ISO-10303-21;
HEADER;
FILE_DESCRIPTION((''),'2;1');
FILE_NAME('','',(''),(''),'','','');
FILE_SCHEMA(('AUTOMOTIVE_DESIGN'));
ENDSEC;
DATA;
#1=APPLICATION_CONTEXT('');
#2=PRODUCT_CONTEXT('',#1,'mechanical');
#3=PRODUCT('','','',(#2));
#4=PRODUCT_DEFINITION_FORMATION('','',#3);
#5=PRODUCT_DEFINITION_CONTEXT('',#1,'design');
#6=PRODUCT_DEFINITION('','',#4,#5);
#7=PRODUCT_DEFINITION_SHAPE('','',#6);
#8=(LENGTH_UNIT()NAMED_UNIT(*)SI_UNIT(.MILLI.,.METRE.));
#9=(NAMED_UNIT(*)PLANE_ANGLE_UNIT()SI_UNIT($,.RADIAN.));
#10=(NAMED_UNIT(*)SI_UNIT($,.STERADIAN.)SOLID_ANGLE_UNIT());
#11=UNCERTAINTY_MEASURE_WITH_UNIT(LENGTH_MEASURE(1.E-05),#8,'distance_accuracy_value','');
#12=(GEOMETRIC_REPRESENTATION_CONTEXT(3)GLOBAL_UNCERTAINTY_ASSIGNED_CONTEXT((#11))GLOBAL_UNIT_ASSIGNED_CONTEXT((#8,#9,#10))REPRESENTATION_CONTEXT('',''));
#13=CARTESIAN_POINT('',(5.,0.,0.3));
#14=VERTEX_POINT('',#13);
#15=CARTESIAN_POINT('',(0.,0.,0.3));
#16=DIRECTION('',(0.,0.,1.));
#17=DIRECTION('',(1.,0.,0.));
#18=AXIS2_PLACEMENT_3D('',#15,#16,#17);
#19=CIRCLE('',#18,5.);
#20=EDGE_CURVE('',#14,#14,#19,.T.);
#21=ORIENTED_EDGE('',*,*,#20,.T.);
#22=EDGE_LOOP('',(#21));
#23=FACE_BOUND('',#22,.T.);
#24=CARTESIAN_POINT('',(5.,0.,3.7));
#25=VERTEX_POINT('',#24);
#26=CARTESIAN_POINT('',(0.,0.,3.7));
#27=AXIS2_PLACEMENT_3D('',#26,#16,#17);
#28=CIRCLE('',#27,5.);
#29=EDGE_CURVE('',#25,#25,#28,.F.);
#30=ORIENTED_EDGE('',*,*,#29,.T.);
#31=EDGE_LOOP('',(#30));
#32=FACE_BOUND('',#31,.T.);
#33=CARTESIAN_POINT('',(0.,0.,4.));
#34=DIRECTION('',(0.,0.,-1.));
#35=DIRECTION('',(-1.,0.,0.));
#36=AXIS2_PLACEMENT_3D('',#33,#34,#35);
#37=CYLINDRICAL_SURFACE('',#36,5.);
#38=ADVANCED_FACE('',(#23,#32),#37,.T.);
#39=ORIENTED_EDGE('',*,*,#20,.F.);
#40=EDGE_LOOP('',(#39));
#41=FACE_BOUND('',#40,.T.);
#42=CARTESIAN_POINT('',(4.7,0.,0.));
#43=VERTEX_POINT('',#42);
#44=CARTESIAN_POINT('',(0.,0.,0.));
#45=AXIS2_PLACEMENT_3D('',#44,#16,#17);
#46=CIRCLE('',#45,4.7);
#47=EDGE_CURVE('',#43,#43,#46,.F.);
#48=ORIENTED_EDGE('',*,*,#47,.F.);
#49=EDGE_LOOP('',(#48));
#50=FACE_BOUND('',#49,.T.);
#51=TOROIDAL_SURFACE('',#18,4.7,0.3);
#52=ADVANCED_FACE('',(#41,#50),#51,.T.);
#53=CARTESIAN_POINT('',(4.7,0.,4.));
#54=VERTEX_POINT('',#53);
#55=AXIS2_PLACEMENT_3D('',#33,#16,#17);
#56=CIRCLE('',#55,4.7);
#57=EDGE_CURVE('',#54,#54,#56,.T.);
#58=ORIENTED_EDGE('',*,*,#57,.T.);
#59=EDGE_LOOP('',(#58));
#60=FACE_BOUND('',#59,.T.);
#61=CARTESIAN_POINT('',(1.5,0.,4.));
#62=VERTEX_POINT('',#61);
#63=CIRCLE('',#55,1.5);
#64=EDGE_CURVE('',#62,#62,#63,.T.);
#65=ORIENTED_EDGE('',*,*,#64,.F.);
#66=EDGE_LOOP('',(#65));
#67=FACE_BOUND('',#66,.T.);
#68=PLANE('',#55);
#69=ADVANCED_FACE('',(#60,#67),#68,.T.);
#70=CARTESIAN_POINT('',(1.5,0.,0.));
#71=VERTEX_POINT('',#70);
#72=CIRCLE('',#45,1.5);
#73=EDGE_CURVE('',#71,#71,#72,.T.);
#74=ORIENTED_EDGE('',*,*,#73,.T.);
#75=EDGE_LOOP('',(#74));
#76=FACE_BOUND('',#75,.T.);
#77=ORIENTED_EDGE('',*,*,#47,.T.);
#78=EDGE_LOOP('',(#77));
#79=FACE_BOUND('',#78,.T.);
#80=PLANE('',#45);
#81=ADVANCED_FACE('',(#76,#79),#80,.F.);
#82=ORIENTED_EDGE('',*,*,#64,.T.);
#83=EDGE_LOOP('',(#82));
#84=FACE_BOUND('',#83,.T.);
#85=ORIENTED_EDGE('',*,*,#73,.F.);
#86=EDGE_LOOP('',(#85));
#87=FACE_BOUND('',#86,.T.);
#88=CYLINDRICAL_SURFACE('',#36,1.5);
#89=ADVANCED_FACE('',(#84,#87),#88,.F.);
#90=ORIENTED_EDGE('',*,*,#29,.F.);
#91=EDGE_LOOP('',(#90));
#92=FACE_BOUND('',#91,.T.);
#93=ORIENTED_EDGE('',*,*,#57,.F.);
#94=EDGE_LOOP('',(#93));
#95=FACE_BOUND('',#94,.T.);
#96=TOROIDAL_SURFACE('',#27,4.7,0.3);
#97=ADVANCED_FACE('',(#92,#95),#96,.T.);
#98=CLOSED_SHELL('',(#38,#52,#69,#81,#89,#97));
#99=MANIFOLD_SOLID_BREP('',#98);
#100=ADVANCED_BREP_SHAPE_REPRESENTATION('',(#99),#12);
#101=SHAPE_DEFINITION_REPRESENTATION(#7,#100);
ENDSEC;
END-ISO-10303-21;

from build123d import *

# Parameters (mm, degrees)
SKETCH1_R           = 5
SKETCH1_R_2         = 1.5
BOSS_EXTRUDE1_DEPTH = 4
FILLET1_R           = 0.3


with BuildPart() as part:
    # Sketch1 → Boss-Extrude1 (new body)
    with BuildSketch(Plane.XY):
        Circle(SKETCH1_R)
        Circle(SKETCH1_R_2, mode=Mode.SUBTRACT)
    extrude(amount=BOSS_EXTRUDE1_DEPTH)

    # Fillet1
    fillet1_edges = [part.edges().sort_by_distance(p)[0] for p in [
        (-5, 0, 0),
        (-5, 0, 4),
    ]]
    fillet(fillet1_edges, radius=FILLET1_R)


solid = part.part
